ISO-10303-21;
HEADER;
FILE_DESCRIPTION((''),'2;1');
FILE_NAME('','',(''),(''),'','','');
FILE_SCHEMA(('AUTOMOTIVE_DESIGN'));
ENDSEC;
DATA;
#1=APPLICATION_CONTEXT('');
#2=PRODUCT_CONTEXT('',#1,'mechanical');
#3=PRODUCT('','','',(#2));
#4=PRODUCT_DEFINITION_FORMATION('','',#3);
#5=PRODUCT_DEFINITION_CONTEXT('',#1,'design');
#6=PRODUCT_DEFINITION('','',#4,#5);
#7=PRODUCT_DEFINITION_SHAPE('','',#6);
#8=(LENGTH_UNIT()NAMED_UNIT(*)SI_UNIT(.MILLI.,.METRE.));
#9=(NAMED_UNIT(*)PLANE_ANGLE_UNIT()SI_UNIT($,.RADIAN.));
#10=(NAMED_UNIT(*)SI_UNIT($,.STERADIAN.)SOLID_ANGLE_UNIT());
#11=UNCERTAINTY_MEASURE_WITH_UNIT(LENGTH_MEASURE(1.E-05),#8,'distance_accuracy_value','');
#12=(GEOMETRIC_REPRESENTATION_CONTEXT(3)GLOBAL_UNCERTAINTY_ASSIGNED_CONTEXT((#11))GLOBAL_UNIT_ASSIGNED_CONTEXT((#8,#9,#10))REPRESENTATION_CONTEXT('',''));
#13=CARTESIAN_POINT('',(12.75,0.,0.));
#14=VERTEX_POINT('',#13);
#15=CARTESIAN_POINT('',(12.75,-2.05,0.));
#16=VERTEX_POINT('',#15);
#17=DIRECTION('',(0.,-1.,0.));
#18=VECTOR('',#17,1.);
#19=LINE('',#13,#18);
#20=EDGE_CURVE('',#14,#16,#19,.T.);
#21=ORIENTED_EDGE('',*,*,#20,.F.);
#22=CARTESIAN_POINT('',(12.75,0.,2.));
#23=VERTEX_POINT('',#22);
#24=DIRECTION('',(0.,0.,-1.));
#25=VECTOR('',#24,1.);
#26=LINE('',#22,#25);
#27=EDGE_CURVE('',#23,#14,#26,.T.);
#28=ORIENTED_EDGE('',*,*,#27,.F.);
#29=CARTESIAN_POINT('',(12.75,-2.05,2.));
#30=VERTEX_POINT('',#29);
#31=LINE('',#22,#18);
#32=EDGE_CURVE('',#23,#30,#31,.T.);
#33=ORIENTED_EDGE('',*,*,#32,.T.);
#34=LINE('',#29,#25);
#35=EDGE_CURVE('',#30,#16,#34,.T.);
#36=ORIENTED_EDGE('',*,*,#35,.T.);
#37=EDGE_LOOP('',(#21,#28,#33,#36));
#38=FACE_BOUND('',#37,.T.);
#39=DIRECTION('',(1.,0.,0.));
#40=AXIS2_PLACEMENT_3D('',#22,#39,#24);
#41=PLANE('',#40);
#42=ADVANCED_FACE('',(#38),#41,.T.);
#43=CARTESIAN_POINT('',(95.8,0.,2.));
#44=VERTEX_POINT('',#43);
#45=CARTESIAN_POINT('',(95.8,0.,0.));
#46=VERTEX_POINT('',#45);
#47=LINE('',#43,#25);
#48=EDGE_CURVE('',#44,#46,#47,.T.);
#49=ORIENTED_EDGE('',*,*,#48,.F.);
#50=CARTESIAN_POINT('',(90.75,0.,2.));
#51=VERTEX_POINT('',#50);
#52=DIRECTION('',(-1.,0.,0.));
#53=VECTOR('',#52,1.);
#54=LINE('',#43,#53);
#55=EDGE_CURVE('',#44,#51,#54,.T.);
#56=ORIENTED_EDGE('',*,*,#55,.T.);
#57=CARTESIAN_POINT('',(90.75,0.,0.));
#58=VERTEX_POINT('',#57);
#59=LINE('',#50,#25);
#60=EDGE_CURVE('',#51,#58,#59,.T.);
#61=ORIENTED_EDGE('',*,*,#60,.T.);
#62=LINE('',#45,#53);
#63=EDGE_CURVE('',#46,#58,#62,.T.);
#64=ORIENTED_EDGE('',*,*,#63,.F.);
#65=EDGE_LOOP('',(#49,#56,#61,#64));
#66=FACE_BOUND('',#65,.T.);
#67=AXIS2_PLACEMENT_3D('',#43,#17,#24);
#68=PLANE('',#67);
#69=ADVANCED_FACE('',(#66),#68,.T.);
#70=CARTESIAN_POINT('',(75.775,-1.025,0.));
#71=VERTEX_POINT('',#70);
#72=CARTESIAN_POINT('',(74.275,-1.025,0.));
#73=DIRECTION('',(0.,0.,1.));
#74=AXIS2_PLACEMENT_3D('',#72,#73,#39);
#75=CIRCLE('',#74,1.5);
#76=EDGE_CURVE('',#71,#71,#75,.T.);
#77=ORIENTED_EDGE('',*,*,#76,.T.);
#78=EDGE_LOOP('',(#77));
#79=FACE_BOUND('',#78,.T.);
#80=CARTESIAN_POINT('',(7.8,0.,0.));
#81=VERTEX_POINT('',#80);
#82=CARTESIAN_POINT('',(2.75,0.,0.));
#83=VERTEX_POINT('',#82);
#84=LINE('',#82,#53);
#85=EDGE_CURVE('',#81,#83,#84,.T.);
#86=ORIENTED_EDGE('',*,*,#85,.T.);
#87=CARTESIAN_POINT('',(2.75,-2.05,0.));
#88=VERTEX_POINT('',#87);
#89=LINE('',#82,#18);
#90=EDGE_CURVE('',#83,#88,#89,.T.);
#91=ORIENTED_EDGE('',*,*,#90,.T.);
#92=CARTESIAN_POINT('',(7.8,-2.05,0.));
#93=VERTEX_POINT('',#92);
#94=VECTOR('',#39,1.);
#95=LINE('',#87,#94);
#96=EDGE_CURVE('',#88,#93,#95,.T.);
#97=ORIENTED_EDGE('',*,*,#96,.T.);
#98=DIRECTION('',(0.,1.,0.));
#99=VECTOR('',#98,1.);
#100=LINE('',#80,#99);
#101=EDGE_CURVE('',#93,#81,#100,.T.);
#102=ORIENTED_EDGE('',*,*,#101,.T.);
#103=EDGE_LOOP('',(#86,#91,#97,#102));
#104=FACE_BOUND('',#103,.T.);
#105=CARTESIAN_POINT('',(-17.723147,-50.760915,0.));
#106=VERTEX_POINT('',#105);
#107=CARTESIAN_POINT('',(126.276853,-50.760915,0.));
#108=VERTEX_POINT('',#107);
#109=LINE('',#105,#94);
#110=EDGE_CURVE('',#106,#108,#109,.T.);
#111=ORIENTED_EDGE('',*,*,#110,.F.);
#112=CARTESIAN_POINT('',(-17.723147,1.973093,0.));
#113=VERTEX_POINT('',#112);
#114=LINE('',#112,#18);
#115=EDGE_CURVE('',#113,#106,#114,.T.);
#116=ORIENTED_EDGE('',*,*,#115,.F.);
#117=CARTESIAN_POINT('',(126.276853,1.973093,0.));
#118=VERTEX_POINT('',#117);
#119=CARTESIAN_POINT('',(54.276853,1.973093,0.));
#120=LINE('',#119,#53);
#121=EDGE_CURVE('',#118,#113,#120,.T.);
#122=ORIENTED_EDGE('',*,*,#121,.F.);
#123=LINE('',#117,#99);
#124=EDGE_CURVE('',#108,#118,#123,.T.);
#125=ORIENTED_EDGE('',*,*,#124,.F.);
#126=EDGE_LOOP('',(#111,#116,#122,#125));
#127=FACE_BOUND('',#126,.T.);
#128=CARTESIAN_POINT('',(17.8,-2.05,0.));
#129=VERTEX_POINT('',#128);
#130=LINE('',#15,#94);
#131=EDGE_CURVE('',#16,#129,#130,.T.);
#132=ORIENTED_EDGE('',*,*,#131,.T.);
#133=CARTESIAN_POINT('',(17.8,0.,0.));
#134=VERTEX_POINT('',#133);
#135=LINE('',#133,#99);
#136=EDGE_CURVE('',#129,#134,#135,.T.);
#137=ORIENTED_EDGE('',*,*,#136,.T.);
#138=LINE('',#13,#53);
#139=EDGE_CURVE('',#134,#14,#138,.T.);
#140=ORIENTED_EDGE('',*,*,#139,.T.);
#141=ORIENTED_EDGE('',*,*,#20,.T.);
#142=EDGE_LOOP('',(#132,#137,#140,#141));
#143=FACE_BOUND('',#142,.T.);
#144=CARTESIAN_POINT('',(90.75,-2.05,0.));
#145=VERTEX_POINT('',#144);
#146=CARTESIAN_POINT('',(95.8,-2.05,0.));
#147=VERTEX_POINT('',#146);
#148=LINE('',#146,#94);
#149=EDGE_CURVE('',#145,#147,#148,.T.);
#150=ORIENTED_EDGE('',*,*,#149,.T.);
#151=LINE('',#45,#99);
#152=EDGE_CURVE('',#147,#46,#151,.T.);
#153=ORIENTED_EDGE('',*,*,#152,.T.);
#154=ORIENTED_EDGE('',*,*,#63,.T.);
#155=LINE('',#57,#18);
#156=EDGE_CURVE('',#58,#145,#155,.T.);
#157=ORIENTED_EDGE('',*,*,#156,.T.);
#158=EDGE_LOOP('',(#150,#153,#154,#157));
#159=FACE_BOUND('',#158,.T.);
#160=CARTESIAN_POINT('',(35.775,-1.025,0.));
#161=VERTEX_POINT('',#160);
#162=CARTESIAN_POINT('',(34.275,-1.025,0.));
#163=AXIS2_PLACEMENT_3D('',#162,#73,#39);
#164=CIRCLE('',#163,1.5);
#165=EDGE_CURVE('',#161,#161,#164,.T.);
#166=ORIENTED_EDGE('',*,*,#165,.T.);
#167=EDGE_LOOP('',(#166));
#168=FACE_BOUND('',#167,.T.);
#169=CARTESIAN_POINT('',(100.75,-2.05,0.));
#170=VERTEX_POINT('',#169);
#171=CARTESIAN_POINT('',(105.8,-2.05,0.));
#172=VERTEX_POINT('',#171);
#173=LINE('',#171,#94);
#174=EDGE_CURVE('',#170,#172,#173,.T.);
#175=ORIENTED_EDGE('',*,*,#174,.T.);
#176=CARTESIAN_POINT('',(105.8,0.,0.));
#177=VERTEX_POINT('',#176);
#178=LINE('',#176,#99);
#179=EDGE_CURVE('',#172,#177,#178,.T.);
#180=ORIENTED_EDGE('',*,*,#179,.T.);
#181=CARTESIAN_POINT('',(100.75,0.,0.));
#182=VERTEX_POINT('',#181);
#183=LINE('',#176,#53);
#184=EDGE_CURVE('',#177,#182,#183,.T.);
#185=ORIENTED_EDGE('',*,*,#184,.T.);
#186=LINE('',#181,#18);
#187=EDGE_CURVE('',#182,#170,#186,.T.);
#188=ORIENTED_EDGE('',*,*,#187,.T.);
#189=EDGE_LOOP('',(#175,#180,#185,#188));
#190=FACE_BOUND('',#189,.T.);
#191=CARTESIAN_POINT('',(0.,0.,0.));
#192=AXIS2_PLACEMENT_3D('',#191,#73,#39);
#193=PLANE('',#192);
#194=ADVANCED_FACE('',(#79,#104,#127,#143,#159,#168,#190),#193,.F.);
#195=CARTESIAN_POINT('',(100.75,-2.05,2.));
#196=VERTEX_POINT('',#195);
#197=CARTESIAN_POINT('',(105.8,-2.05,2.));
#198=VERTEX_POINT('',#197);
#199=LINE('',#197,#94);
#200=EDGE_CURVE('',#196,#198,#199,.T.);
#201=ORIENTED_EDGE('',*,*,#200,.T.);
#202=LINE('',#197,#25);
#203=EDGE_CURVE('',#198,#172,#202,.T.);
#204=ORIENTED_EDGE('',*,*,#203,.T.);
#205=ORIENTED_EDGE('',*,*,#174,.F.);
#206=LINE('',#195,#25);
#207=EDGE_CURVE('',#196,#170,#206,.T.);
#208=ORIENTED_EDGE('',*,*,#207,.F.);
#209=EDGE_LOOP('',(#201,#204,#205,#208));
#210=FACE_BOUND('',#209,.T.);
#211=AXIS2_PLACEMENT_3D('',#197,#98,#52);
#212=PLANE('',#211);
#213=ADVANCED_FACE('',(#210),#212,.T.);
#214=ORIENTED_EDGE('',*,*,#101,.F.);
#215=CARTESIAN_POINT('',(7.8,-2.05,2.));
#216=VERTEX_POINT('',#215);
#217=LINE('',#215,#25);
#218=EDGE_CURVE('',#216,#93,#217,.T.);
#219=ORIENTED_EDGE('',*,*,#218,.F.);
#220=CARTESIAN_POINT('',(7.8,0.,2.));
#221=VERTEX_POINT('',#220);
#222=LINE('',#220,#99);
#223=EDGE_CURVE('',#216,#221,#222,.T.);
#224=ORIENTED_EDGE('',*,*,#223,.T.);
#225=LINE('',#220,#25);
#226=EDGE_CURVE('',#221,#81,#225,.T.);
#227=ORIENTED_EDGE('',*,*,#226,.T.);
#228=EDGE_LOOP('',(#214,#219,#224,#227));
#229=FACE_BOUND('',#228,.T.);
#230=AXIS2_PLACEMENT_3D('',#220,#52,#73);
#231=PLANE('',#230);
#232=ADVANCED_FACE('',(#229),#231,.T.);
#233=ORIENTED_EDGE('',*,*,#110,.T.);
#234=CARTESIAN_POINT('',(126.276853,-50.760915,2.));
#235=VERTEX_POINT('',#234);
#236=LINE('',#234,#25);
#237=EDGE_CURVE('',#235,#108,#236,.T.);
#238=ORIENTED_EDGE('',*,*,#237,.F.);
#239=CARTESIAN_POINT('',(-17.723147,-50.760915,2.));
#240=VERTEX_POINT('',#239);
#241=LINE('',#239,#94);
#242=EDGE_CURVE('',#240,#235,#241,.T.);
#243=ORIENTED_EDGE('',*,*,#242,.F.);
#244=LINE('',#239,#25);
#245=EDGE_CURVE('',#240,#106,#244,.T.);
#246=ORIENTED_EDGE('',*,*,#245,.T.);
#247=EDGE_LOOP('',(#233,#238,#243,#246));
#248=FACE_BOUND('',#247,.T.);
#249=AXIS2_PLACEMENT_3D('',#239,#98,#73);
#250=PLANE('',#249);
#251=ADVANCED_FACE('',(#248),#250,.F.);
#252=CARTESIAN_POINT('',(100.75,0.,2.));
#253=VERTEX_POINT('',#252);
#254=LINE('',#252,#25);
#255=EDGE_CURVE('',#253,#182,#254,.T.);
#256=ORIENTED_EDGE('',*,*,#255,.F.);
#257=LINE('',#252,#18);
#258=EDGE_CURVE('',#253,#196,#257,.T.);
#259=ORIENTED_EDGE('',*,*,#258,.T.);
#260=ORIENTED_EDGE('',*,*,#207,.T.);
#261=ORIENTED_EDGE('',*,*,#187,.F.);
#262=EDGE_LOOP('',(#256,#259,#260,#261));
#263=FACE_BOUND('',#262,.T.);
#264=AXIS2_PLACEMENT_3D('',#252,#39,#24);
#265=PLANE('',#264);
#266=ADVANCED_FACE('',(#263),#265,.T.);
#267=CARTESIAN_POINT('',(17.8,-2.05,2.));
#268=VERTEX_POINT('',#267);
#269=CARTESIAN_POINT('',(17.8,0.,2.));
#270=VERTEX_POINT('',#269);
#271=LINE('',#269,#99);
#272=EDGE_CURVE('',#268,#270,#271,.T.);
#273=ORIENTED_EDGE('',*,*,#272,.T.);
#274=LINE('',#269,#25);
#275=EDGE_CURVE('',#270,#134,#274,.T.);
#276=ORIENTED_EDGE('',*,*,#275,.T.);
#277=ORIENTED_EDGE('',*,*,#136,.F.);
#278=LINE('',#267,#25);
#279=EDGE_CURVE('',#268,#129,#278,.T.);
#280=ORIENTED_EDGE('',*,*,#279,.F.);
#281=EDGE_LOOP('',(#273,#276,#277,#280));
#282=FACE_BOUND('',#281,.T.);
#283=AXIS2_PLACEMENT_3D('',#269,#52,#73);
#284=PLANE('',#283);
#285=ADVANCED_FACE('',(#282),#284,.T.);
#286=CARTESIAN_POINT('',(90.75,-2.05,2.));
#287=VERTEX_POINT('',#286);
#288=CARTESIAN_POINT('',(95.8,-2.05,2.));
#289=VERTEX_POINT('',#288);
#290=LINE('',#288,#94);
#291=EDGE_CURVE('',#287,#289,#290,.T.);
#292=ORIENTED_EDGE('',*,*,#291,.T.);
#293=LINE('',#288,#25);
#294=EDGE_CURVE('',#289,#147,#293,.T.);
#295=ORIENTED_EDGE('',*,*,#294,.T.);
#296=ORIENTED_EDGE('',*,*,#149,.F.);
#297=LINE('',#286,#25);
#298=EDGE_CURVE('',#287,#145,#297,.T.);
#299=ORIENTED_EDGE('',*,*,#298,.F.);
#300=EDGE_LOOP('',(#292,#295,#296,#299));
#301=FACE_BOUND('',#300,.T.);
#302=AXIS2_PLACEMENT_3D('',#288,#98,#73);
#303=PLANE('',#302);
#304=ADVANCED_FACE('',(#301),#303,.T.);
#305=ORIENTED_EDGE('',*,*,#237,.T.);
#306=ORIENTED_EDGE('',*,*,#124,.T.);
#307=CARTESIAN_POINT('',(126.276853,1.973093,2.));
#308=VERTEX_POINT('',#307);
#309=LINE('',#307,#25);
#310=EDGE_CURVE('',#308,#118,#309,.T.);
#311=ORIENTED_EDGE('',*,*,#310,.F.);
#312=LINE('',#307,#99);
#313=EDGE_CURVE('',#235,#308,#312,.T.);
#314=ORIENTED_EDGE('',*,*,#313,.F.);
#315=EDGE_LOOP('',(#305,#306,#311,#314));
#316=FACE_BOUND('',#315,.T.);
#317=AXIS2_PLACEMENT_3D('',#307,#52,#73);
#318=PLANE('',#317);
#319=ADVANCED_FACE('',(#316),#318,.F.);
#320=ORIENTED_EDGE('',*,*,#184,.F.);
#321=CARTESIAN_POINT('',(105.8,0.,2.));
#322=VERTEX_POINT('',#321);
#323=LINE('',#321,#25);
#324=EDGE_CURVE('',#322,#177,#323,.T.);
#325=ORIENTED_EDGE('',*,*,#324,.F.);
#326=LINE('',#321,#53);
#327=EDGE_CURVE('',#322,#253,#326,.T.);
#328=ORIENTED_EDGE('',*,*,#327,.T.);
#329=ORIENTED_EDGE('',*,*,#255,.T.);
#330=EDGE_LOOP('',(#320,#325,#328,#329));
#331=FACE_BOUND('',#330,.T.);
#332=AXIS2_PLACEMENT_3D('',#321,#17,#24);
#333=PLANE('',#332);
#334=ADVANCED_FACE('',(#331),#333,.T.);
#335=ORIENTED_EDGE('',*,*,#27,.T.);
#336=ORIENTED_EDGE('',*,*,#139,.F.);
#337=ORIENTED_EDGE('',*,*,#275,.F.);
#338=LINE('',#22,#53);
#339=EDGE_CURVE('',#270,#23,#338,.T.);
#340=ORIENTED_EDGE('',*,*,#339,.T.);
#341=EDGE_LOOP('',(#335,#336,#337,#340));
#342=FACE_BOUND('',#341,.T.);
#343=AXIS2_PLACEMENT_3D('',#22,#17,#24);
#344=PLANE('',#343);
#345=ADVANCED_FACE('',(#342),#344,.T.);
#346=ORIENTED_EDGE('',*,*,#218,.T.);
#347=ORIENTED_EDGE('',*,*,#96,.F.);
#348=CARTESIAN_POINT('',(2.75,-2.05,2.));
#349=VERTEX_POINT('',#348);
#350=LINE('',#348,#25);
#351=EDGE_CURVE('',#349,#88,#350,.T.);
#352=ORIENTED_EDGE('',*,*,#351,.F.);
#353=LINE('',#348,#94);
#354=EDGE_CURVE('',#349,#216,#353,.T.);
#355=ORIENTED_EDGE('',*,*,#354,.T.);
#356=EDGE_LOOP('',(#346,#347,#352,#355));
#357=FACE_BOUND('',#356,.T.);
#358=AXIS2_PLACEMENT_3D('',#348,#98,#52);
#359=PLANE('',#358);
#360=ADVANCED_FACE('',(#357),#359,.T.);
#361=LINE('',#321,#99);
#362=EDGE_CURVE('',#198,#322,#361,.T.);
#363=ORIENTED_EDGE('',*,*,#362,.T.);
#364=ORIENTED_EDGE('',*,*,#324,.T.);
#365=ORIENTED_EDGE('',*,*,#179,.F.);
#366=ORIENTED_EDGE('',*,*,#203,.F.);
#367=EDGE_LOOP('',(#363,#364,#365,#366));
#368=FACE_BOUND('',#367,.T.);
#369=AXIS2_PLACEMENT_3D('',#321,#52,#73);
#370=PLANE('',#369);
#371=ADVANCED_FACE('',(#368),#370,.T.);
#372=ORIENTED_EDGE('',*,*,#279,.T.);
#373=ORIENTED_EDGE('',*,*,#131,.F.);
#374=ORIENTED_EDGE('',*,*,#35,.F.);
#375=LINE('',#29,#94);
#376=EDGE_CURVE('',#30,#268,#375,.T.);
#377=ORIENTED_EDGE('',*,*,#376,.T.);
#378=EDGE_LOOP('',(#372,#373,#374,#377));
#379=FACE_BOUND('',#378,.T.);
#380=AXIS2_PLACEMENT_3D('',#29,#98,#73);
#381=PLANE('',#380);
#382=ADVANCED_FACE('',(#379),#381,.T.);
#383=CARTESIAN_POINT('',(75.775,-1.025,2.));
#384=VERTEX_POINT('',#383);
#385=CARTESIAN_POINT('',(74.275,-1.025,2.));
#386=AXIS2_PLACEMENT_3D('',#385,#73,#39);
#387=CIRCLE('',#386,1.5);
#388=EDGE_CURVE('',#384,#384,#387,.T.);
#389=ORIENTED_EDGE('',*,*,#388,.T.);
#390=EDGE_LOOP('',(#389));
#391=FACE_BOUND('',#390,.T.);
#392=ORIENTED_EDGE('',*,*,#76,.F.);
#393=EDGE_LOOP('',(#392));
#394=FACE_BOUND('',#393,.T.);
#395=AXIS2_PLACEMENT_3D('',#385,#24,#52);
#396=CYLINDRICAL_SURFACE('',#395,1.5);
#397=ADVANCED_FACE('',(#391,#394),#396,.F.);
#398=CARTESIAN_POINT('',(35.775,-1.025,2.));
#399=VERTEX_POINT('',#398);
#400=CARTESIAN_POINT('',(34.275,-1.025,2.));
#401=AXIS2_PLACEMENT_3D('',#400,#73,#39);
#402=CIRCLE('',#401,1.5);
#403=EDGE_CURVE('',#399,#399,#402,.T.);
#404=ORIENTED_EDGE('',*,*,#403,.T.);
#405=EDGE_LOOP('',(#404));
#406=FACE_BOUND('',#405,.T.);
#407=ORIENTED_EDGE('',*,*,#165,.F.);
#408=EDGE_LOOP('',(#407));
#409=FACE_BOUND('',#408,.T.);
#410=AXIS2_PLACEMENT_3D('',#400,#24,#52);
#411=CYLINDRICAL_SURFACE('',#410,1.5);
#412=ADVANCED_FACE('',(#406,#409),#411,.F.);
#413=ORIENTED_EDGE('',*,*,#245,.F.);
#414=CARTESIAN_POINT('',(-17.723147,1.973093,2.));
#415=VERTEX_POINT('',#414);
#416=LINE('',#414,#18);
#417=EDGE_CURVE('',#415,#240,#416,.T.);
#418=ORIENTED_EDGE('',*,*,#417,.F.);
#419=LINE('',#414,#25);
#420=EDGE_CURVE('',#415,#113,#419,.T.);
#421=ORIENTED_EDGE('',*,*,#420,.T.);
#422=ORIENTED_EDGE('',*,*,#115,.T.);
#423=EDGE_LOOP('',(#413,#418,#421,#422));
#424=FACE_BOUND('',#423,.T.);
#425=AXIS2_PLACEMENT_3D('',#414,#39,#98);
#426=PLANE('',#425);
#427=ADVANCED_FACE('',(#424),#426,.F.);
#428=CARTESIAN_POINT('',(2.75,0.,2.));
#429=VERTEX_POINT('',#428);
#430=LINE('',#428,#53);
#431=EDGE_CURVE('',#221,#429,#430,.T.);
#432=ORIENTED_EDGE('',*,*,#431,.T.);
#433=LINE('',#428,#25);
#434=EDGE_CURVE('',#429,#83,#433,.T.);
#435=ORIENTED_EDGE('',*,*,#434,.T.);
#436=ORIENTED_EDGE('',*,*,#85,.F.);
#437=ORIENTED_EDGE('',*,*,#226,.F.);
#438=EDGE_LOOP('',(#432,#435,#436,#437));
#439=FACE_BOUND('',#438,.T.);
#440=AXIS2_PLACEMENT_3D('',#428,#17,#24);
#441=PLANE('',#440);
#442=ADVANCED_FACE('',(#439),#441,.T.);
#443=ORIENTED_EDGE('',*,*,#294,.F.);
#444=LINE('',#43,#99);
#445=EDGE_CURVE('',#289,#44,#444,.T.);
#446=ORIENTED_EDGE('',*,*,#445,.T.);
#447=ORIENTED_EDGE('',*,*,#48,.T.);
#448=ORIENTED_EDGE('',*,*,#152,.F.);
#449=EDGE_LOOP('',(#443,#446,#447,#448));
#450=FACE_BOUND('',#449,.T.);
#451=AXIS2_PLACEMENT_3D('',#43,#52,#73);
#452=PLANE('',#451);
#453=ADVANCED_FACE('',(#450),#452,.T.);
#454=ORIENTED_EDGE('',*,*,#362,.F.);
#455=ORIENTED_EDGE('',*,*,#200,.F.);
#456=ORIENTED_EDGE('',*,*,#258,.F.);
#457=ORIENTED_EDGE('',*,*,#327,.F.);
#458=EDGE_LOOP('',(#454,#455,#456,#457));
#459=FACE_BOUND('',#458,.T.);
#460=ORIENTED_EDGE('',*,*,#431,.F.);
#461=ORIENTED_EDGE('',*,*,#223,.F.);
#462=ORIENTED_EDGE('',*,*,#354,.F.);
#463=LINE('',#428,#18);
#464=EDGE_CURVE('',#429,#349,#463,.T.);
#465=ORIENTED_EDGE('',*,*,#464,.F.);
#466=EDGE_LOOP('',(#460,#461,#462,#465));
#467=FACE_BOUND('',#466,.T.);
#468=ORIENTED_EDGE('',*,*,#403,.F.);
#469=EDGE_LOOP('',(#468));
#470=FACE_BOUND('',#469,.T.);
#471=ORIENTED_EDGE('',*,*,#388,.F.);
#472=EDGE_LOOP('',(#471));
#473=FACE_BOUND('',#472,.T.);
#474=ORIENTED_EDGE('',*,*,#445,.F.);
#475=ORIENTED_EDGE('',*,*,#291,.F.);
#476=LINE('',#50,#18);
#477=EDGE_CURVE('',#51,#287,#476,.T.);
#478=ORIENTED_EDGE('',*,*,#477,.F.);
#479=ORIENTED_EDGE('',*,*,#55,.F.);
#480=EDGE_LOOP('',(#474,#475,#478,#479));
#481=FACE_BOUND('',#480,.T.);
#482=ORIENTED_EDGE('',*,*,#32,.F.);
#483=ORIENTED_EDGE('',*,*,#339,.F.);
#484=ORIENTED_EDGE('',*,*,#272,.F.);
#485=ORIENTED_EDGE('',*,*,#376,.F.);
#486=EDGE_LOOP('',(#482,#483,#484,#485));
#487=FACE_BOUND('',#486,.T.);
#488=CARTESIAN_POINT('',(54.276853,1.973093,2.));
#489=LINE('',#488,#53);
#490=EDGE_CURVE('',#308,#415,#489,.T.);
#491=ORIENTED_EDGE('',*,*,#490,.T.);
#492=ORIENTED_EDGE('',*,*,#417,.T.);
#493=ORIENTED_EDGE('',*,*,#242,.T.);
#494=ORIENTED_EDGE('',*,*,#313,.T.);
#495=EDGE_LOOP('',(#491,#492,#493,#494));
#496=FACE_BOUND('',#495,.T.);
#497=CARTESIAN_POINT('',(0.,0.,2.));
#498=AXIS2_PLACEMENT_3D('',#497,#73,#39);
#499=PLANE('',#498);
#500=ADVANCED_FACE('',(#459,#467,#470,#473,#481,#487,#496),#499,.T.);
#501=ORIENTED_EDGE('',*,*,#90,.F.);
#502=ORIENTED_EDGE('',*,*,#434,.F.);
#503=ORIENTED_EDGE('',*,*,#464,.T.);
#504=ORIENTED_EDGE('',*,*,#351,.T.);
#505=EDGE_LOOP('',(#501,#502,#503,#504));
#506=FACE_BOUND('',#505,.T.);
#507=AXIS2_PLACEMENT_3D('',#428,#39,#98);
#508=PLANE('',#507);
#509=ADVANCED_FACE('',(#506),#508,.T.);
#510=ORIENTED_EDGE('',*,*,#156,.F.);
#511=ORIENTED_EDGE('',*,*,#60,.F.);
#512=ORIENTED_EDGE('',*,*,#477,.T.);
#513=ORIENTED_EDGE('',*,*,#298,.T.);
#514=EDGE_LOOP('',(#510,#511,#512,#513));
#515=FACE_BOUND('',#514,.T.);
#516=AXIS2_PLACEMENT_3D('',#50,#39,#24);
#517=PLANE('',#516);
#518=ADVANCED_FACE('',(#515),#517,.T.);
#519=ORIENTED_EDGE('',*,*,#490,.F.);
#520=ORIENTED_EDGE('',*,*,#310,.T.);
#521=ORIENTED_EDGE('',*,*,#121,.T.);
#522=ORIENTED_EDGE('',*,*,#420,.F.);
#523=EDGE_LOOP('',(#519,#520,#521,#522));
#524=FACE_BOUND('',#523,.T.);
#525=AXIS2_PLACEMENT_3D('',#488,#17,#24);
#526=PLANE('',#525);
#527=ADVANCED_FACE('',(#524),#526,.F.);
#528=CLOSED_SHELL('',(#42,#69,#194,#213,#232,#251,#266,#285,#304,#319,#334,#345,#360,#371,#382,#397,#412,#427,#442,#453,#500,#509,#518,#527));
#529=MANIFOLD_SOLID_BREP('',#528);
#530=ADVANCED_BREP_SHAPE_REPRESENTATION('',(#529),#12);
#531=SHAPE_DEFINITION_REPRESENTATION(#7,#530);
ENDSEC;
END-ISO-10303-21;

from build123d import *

# Parameters (mm, degrees)
SKETCH_1_R      = 1.5
SKETCH_1_W      = 5.05
SKETCH_1_H      = 2.05
EXTRUDE_1_DEPTH = 2


with BuildPart() as part:
    # 草图1 → 凸台-拉伸1 (new body)
    with BuildSketch(Plane.XY):
        Polygon((-17.723146761, 1.973092798), (-17.723146761, -50.760914608), (126.276853239, -50.760914608), (126.276853239, 1.973092798), (54.276853239, 1.973092798), align=None)
        with Locations((34.275, -1.025)):
            Circle(SKETCH_1_R, mode=Mode.SUBTRACT)
        with Locations((74.275, -1.025)):
            Circle(SKETCH_1_R, mode=Mode.SUBTRACT)
        with Locations((15.275, -1.025)):
            Rectangle(SKETCH_1_W, SKETCH_1_H, mode=Mode.SUBTRACT)
        with Locations((5.275, -1.025)):
            Rectangle(SKETCH_1_W, SKETCH_1_H, mode=Mode.SUBTRACT)
        with Locations((103.275, -1.025)):
            Rectangle(SKETCH_1_W, SKETCH_1_H, mode=Mode.SUBTRACT)
        with Locations((93.275, -1.025)):
            Rectangle(SKETCH_1_W, SKETCH_1_H, mode=Mode.SUBTRACT)
    extrude(amount=EXTRUDE_1_DEPTH)


solid = part.part
